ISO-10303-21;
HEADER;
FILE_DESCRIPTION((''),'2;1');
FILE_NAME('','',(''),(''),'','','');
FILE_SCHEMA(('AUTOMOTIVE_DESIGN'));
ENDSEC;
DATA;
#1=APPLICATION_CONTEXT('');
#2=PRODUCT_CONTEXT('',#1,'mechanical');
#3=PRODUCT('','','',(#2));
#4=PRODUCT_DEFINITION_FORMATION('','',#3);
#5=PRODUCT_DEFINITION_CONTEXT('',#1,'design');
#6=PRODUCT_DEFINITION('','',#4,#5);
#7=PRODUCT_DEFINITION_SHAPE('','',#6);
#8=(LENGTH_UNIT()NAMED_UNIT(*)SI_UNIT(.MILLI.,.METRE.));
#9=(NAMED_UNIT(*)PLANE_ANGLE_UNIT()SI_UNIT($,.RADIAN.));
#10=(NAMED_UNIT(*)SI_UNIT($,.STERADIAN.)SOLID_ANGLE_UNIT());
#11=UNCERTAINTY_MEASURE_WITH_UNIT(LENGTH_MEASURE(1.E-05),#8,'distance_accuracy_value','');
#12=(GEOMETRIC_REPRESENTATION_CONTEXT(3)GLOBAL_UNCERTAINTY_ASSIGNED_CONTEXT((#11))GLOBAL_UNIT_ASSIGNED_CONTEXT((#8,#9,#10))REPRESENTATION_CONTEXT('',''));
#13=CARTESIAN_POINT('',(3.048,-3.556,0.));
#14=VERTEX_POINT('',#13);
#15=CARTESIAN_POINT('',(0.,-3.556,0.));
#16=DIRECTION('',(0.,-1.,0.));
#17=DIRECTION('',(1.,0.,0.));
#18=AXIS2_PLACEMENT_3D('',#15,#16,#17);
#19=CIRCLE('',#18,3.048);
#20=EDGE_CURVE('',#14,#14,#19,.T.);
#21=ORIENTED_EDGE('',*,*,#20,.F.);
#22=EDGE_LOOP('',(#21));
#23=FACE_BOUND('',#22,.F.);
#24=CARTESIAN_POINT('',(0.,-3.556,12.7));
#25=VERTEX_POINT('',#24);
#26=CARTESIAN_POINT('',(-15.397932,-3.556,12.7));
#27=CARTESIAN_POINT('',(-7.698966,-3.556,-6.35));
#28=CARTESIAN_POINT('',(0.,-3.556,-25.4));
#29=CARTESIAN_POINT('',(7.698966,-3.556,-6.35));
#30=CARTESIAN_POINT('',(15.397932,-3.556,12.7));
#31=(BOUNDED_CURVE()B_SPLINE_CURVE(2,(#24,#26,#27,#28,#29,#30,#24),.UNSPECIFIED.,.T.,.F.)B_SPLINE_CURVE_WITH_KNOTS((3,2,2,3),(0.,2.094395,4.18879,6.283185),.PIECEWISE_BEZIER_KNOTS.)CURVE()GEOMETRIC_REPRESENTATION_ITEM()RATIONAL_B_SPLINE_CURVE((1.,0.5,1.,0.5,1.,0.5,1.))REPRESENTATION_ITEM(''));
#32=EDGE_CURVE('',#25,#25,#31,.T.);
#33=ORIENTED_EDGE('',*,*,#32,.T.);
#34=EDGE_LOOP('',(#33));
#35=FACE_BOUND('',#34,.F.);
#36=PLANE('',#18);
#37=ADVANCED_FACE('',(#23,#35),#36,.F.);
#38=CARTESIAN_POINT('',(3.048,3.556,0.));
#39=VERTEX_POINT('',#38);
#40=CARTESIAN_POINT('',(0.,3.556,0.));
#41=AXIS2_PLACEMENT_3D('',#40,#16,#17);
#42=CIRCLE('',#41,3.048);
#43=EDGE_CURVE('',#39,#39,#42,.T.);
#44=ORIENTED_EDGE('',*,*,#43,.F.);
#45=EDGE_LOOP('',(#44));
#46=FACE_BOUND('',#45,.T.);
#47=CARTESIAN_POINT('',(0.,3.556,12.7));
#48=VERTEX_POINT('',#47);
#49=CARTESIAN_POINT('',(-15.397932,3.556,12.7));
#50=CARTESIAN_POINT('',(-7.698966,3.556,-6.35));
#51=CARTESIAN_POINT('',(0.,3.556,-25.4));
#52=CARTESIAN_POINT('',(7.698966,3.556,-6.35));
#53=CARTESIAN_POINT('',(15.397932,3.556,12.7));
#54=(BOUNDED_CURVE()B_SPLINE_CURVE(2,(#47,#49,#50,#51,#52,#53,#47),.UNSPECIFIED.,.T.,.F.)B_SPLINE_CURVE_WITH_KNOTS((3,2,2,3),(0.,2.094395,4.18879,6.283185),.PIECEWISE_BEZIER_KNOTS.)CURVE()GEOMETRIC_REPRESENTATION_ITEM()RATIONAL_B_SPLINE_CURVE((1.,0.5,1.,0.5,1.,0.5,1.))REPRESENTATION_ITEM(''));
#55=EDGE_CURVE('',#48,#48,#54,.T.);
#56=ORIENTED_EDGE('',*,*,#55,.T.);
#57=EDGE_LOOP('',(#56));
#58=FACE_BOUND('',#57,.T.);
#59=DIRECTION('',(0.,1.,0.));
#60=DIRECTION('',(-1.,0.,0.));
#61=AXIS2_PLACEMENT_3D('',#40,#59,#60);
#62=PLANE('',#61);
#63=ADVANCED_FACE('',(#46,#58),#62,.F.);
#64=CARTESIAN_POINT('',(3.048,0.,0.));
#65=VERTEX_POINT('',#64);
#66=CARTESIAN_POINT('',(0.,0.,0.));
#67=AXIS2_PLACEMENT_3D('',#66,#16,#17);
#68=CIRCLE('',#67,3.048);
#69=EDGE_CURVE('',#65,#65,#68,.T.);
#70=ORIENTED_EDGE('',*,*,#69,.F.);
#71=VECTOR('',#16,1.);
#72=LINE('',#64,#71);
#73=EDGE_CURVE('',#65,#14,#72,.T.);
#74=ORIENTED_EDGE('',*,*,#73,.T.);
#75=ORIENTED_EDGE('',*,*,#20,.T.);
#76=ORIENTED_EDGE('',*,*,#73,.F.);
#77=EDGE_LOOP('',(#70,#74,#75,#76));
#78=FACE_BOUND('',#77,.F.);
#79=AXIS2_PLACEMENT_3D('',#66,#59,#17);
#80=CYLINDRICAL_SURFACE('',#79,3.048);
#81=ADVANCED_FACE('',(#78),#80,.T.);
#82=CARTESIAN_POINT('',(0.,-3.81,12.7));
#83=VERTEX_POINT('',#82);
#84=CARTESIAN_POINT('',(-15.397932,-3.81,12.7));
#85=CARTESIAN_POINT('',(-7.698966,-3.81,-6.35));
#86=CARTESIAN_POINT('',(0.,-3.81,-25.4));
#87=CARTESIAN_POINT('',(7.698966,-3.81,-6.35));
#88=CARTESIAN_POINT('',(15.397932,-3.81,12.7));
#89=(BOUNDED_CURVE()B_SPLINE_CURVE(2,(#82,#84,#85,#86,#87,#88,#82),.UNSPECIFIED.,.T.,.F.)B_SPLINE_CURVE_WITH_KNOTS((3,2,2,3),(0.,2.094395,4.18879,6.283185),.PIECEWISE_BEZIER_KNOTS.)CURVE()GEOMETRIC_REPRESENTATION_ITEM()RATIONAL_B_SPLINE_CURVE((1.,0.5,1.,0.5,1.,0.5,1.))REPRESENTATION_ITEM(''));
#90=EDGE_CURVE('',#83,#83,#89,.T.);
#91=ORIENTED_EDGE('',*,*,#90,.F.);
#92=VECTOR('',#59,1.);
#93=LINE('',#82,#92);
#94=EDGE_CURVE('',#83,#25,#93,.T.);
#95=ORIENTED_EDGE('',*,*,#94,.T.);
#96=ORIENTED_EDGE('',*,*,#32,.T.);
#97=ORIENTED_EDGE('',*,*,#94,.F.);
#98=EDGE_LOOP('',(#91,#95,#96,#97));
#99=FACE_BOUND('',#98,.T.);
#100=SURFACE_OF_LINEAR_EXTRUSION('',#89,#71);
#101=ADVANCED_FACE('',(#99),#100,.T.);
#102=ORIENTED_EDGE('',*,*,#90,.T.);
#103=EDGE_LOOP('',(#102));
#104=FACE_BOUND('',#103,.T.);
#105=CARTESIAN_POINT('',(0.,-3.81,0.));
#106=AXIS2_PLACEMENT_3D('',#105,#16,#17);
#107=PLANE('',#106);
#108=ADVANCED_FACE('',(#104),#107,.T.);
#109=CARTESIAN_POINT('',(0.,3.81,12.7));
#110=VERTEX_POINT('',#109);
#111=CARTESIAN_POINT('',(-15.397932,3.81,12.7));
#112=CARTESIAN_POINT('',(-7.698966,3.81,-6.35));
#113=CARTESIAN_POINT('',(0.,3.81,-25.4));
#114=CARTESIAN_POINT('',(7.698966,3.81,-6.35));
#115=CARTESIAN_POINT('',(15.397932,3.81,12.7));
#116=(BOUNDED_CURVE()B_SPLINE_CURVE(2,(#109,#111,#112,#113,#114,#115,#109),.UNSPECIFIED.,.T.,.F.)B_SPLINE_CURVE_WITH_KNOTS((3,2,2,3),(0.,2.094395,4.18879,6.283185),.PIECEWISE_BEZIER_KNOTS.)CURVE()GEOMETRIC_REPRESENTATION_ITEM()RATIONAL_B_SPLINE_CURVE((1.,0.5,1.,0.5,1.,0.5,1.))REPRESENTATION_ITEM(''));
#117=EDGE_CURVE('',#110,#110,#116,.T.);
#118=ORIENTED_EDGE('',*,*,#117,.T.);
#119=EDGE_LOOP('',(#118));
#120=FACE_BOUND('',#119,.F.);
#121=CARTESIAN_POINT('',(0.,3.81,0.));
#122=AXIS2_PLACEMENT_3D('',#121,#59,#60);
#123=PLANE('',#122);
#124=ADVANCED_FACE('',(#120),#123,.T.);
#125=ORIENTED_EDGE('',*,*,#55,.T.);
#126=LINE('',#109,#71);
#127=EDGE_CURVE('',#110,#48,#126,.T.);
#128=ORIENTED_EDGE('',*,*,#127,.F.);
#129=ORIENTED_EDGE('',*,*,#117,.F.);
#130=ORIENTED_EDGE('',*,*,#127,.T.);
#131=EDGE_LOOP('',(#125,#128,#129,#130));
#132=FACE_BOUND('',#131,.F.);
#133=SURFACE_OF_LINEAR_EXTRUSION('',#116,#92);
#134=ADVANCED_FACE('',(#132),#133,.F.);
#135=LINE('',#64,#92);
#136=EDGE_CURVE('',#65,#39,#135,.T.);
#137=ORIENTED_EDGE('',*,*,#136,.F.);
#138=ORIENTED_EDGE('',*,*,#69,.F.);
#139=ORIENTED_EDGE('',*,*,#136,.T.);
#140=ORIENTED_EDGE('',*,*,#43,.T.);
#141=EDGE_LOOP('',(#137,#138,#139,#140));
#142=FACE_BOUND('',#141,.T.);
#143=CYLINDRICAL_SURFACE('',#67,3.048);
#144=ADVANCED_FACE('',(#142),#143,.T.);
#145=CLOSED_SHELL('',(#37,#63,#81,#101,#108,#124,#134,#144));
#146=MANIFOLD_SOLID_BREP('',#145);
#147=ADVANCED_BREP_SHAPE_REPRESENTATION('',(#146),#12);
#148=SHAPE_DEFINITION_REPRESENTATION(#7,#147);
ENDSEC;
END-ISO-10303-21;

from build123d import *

# Parameters (mm, degrees)
F0_R     = 3.048
F1_DEPTH = 3.81
F2_R     = 3.048
F3_DEPTH = 0.254


with BuildPart() as f1:
    # F0 (on Front) → F1 (new body)
    with BuildSketch(Plane.XZ):
        Circle(F0_R)
    extrude(amount=F1_DEPTH)

    # F2 (on face) → F3 (join)
    with BuildSketch(Plane.XZ.offset(3.81)):
        with BuildLine():
            add(Edge.make_bspline(
                [(0, 12.7), (-15.397932, 12.7), (-7.698966, -6.35), (0, -25.4), (7.698966, -6.35), (15.397932, 12.7), (0, 12.7)],
                knots=[0, 0, 0, 2.094395, 2.094395, 4.18879, 4.18879, 6.283185, 6.283185, 6.283185], degree=2, weights=[1, 0.5, 1, 0.5, 1, 0.5, 1]))
        make_face()
        Circle(F2_R, mode=Mode.SUBTRACT)
    extrude(amount=-F3_DEPTH)

    # F4: F1 across plane


with BuildPart() as f1_1:
    add(f1.part)
    add(f1.part.mirror(Plane.XZ))


solid = f1_1.part
